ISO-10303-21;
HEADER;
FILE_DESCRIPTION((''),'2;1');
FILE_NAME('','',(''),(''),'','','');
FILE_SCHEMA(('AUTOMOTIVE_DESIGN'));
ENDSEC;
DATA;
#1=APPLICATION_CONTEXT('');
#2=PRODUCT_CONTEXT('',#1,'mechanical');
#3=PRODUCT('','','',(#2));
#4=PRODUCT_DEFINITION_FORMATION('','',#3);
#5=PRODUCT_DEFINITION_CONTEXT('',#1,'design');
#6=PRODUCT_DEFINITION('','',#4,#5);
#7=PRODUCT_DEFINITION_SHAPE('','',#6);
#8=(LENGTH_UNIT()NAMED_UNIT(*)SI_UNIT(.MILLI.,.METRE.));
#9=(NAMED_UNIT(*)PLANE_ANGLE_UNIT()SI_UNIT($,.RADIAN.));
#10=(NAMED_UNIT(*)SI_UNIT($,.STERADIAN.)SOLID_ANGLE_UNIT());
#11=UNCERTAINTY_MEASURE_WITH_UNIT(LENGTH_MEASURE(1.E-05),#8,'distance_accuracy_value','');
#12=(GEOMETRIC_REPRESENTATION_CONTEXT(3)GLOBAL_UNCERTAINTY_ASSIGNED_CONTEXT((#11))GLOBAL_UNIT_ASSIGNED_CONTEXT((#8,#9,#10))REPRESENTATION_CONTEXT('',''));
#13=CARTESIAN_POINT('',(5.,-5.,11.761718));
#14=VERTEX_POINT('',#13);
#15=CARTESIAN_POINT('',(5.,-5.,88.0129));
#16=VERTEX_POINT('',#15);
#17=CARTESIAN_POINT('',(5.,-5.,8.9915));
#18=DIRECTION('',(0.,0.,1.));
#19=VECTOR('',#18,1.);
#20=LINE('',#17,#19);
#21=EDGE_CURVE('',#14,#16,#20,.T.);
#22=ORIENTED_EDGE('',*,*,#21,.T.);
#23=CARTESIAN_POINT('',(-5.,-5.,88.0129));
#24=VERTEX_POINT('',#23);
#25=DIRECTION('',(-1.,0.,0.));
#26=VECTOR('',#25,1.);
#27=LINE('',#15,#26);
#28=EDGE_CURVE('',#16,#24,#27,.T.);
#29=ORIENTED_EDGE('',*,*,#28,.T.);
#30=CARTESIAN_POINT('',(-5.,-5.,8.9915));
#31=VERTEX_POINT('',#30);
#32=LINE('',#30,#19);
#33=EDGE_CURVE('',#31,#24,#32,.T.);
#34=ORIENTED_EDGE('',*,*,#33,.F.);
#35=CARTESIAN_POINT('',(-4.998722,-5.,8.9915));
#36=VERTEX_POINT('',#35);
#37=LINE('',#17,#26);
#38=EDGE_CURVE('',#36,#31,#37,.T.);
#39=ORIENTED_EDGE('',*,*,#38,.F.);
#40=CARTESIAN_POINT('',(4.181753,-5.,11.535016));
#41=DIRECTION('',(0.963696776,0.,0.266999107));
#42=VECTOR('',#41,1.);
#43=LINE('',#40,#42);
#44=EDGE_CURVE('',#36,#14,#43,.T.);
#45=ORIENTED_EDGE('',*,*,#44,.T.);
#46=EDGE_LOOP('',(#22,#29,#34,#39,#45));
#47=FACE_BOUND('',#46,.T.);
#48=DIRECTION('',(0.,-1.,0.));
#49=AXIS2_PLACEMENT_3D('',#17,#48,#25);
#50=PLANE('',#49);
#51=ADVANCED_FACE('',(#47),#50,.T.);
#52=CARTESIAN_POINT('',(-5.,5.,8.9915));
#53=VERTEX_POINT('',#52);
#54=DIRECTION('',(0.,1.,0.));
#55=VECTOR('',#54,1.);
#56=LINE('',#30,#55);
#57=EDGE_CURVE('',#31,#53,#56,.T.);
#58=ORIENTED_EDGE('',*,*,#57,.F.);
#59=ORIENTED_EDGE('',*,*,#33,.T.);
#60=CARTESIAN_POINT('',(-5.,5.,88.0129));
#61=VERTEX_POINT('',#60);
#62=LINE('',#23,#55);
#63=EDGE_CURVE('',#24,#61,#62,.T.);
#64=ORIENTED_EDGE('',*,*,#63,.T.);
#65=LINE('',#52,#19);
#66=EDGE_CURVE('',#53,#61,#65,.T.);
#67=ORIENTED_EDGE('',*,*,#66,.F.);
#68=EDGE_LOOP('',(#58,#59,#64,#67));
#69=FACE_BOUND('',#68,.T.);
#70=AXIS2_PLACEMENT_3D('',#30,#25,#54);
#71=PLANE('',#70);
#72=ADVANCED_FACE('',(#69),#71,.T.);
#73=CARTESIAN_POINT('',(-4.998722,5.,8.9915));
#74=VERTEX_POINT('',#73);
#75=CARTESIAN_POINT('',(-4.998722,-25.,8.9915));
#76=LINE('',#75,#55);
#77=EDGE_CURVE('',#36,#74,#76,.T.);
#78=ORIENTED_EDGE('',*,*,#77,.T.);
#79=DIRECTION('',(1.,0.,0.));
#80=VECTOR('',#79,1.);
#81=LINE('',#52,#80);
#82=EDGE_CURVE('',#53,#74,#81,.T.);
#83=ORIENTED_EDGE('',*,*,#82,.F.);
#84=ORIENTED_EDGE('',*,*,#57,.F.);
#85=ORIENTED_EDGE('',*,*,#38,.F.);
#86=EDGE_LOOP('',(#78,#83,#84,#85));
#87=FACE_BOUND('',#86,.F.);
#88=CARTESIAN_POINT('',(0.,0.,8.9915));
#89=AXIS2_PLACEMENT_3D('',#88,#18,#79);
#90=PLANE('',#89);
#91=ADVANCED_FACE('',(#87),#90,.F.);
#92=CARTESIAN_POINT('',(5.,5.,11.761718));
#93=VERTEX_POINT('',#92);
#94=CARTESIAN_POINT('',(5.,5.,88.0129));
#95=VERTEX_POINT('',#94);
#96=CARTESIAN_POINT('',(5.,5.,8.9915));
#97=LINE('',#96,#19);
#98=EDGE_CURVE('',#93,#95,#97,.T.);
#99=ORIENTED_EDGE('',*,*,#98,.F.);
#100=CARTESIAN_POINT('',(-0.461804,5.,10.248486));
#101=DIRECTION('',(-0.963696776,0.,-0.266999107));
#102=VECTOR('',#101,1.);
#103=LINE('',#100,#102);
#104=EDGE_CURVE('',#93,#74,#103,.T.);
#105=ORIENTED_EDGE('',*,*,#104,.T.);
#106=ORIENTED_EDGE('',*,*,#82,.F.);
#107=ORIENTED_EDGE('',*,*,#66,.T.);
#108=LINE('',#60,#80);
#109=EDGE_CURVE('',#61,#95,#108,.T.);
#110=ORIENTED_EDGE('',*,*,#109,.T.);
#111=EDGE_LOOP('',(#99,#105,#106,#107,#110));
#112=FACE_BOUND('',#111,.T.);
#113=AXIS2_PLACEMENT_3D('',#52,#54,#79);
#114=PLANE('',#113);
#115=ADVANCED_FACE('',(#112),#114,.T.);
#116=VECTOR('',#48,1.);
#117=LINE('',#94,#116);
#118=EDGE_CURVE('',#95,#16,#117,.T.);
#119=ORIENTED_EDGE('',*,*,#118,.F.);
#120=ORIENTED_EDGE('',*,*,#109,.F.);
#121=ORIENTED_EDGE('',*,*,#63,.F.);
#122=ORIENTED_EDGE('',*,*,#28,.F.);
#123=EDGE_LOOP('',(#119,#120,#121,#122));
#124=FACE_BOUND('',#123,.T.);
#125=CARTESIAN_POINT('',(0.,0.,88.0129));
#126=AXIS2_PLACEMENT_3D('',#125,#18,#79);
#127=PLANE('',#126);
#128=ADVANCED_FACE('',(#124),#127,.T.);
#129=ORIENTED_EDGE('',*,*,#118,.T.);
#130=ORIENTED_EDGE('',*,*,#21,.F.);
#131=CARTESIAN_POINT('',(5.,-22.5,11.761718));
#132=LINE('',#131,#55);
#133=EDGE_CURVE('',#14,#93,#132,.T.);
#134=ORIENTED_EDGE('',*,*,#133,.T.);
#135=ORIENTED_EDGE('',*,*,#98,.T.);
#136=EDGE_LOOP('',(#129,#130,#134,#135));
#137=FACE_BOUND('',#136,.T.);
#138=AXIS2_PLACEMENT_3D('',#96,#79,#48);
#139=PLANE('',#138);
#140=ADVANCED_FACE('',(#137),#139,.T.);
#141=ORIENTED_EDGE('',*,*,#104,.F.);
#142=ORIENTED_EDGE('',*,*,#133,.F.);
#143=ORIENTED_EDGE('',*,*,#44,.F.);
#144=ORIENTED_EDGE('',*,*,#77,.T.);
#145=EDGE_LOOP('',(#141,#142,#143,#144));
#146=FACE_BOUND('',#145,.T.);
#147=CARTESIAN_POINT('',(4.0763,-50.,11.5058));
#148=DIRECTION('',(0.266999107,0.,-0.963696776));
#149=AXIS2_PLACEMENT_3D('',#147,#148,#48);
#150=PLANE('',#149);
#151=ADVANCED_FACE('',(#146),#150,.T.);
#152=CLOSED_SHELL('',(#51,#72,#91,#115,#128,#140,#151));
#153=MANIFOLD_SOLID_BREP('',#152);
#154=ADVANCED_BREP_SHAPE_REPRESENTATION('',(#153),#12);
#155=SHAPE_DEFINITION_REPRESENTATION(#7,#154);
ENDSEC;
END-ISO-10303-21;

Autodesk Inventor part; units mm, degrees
ref_plane "Start Plane" through (0, 0, 8.9915) normal (0, 0, 1) x (1, 0, 0)
ref_plane "End Plane" through (0, 0, 88.0129) normal (0, 0, 1) x (1, 0, 0)
sketch "Sketch" plane through (0, 0, 0) normal (0, 0, 1) x (1, 0, 0)
  line L0 (5, -5) -> (-5, -5)
  line L1 (-5, -5) -> (-5, 5)
  line L2 (-5, 5) -> (5, 5)
  line L3 (5, 5) -> (5, -5)
  line L4 (-6, 0) -> (8, 0) construction
  line L5 (0, -30) -> (0, 40) construction
  line L6 (0, 54) -> (0, -44) construction
  line L7 (-9.2, 0) -> (13.2, 0) construction
  dimension "d0" = 10
  dimension "d1" = 10
  dimension "d4" = 5
  dimension "d5" = 5
extrude "Body" add sketch "Sketch" along normal up to surface (79.0214 mm away) from surface at 8.9915
sketch "Sketch3" plane through (0, 0, 0) normal (0, 0, 1) x (1, 0, 0)
  line L0 (0, 0) -> (10, 0)
ref_plane "Work Plane3" through (0, 0, 0) normal (0, -1, 0) x (1, 0, 0)
sketch "Sketch4" plane through (0, 0, 0) normal (0, -1, 0) x (1, 0, 0)
  line L0 (-2, 8.9915) -> (12, 8.9915)
  line L1 (-2, 88.0129) -> (12, 88.0129)
  dimension "d9" = 79.0214
ref_plane "Work Plane4" through (0, -5, 88.0129) normal (0, 0, 1) x (1, 0, 0)
split "Split1" plane through (0, -5, 88.0129) removes the side toward (0, 0, 1)
ref_plane "Work Plane5" through (4.0763, -50, 11.5058) normal (0.267, 0, -0.9637) x (-0.9637, 0, -0.267)
split "Split2" plane through (4.0763, -50, 11.5058) removes the side toward (0.267, 0, -0.9637)
equation "\"d0\" = G_W"
equation "\"d1\" = G_H"
equation "\"d4\" = 0.5 * d1"
equation "\"d5\" = 0.5 * d0"
equation "\"d2\" = G_L"
equation "\"G_W\" = 10"
equation "\"G_H\" = 10"
equation "\"G_L\" = d9"
equation "\"G_OFFSET_START\" = -8.9915"
equation "\"G_OFFSET_END\" = 5"
equation "\"d6\" = -G_OFFSET_START"
equation "\"d7\" = G_OFFSET_END + B_L"
equation "\"B_L\" = 83.01292"
properties part number "ISO 1035/2 - 10 x 10 - 79,02" material "Steel, Mild"
